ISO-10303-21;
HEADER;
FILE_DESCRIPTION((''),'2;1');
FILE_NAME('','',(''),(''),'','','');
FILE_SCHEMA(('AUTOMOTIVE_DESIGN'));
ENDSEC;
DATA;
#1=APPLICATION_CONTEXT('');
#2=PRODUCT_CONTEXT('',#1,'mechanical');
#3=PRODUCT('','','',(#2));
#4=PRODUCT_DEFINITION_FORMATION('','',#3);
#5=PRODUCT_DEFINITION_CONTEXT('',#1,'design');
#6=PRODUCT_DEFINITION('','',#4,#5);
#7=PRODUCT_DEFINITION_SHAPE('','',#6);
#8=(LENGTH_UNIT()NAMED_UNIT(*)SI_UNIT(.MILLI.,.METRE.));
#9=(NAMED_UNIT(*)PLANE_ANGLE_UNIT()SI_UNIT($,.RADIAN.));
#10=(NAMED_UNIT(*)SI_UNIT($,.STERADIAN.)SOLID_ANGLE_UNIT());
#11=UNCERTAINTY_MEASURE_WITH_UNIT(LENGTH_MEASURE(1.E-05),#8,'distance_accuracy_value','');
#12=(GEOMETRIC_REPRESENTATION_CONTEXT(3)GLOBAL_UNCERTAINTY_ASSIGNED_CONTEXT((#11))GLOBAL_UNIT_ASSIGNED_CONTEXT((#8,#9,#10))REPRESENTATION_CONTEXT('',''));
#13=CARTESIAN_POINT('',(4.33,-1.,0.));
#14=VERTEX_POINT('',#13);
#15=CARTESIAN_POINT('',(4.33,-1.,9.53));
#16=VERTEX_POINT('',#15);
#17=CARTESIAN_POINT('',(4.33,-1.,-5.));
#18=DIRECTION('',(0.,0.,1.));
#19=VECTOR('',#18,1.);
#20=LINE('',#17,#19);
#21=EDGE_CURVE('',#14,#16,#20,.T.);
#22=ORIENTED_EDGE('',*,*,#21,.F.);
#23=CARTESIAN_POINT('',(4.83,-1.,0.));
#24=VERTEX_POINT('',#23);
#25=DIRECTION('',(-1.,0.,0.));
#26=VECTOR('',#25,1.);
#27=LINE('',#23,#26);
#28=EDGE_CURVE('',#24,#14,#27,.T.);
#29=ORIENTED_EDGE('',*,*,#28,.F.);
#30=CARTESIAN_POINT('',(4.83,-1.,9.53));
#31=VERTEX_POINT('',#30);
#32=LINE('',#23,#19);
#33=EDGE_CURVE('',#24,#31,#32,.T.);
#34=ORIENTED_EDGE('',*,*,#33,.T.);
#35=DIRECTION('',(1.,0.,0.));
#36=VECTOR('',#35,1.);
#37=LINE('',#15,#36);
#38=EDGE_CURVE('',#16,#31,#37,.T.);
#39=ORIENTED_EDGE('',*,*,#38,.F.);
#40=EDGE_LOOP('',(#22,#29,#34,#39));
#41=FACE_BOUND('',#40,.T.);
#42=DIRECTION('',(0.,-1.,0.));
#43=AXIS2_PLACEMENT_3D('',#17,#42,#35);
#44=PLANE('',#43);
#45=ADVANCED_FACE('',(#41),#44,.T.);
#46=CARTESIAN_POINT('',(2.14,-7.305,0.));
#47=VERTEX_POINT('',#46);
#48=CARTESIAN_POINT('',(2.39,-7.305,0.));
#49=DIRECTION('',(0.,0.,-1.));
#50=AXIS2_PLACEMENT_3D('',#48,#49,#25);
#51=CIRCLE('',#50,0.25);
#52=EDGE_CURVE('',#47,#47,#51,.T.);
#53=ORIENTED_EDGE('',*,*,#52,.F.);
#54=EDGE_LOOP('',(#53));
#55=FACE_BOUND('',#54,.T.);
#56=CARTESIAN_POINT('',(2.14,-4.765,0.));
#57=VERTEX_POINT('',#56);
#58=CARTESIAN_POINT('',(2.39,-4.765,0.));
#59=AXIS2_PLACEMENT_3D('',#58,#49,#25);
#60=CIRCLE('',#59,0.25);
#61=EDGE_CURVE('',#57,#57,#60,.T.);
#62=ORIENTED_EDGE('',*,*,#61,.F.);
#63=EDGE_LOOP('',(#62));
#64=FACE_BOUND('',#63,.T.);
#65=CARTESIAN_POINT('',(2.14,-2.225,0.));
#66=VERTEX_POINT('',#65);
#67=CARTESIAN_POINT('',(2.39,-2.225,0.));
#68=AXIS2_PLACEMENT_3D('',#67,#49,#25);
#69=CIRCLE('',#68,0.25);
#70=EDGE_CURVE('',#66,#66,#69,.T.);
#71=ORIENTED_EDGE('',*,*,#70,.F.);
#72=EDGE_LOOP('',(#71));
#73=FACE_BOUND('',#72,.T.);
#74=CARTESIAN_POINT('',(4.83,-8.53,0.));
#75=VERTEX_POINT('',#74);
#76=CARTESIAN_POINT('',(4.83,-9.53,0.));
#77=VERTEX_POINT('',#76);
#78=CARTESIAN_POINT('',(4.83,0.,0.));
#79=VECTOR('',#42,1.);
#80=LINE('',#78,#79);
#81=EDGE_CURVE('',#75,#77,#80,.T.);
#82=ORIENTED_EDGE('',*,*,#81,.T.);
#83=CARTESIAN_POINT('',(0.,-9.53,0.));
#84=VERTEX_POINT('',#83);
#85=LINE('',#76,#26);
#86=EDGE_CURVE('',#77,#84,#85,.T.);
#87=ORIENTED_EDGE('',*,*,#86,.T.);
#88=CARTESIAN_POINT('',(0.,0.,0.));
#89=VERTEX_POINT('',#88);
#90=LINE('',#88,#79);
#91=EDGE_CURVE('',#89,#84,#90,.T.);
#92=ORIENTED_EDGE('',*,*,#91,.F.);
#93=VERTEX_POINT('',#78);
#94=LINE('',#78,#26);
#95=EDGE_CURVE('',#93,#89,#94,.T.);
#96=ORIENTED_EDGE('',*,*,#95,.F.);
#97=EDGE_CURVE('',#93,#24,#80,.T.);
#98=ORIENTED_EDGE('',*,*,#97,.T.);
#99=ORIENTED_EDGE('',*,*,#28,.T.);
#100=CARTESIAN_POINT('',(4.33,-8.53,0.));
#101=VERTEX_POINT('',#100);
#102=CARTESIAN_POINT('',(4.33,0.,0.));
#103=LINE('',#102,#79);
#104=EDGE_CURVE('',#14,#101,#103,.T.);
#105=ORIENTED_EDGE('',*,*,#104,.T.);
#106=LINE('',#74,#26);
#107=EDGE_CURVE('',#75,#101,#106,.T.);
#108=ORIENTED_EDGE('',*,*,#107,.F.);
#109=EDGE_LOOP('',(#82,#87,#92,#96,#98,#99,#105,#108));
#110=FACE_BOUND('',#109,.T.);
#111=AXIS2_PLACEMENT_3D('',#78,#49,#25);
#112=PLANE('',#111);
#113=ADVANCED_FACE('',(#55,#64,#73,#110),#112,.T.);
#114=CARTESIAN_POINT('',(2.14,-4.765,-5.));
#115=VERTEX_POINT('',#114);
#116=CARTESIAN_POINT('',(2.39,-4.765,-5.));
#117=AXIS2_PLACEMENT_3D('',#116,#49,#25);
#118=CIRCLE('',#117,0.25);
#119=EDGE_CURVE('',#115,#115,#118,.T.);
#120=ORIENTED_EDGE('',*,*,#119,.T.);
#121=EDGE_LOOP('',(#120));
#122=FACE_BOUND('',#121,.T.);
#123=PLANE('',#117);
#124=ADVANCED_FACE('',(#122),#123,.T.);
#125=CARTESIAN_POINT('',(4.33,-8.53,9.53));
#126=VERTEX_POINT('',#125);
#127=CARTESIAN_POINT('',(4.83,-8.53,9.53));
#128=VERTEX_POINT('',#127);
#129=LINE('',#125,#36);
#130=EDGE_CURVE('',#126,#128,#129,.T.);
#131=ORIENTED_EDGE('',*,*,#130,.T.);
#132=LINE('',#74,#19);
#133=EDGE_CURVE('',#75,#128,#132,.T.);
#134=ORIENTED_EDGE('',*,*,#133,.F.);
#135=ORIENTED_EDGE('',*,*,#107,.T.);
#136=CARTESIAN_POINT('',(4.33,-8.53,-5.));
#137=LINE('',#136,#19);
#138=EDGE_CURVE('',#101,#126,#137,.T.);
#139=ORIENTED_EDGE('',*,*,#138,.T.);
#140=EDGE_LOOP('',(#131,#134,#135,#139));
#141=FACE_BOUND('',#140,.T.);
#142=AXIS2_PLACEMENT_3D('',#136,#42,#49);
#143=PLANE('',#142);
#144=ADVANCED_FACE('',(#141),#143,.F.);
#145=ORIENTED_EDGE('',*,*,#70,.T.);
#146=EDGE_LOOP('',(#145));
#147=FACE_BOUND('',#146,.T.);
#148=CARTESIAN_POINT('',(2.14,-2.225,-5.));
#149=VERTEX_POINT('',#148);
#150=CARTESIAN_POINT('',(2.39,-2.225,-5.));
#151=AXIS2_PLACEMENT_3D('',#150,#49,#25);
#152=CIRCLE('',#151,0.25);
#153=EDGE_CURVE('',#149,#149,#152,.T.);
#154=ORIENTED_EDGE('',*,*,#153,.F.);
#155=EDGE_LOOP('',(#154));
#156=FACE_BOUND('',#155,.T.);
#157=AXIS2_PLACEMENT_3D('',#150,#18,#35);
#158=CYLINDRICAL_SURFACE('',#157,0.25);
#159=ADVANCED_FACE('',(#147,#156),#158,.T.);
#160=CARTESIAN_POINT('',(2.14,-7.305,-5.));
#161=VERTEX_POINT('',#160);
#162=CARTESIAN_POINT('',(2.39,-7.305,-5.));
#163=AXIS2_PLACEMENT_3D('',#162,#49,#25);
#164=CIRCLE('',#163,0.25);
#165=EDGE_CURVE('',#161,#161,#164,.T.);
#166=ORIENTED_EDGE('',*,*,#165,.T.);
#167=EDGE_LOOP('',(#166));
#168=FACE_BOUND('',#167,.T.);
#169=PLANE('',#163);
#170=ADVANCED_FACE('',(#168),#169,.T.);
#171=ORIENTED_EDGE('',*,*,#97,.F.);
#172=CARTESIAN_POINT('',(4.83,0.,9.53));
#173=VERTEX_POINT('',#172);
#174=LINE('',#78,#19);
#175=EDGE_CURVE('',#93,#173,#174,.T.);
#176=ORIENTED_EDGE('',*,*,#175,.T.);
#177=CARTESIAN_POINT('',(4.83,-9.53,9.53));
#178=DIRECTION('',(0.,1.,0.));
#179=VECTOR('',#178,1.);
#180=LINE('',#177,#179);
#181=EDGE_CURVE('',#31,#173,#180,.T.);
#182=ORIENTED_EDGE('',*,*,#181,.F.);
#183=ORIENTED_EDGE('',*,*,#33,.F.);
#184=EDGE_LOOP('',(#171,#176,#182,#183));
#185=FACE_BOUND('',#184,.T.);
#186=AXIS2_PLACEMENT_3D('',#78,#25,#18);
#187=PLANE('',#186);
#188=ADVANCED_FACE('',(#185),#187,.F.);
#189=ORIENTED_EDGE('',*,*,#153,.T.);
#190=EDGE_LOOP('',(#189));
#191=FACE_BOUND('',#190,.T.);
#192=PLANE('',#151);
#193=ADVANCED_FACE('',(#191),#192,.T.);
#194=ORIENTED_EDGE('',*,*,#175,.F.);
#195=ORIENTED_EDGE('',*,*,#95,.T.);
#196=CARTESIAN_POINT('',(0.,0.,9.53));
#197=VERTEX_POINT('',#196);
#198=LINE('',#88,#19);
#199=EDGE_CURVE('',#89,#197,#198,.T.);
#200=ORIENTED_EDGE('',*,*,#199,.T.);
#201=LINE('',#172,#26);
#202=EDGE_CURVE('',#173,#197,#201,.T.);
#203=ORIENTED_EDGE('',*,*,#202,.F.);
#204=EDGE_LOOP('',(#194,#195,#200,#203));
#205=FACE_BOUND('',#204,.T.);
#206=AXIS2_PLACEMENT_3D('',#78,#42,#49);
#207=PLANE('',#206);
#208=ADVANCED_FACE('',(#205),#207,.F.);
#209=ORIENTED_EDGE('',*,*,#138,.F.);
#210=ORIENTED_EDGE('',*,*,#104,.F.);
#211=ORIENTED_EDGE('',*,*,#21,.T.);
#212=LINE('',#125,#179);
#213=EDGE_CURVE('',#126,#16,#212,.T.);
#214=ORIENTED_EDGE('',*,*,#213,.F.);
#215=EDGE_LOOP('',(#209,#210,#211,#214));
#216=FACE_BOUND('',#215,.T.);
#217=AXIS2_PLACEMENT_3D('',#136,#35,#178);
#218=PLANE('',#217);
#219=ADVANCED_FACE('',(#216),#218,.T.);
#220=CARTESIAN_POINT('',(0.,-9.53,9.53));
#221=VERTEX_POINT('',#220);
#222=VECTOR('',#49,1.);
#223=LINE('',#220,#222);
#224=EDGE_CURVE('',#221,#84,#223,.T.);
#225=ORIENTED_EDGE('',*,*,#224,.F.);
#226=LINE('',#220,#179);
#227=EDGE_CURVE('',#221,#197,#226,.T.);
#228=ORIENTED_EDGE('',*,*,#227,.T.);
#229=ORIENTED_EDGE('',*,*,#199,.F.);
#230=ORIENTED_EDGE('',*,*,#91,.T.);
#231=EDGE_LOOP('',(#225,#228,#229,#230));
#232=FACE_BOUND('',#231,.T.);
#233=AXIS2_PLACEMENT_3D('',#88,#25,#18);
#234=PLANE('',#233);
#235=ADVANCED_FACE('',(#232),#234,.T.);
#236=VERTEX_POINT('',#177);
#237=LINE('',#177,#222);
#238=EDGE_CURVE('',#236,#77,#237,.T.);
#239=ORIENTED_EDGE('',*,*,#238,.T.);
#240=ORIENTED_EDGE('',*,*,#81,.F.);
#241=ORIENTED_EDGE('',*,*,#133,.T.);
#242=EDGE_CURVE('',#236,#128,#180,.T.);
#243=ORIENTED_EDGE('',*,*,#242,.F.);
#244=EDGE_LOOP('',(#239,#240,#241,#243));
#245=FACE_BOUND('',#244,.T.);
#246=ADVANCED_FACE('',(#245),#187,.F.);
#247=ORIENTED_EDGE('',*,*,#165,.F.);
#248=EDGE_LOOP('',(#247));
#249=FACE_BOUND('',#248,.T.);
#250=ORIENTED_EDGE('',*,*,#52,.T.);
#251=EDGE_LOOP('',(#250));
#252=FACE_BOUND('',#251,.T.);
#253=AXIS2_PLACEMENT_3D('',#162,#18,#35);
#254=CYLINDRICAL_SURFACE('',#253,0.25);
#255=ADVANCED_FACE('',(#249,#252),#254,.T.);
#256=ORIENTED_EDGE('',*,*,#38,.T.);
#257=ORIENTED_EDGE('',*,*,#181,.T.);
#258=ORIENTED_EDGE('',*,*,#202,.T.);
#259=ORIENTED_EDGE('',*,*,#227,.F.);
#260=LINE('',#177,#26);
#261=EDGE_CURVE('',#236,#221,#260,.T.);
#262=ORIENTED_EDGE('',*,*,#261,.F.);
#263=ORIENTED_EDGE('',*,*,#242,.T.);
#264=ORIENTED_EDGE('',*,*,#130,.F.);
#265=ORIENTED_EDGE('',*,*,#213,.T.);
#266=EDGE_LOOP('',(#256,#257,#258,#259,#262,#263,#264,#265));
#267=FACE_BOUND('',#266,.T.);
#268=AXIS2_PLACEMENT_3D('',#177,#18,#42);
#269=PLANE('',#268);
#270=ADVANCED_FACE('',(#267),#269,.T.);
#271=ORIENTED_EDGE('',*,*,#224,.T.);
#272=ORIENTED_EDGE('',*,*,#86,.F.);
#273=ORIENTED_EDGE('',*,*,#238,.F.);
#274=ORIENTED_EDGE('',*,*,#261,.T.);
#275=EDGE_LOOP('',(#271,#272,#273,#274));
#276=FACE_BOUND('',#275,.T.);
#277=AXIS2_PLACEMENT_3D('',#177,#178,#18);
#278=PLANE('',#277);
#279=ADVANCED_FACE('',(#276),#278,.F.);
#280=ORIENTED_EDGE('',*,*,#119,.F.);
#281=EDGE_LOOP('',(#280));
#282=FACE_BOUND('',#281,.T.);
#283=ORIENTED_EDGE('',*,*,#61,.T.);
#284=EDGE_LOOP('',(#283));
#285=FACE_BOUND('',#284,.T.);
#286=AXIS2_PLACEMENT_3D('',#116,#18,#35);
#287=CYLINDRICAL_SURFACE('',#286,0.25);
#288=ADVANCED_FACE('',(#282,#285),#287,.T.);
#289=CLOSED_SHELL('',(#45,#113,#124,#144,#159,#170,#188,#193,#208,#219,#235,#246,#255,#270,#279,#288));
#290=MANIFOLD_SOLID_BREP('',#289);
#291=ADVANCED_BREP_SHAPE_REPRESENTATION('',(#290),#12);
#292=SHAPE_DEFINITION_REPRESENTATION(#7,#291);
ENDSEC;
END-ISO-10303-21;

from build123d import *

# Parameters (mm, degrees)
SKETCH1_W         = 9.53
SKETCH1_H         = 9.53
BASIC_SHAPE_DEPTH = 4.83
SKETCH5_R         = 0.25
PINS_DEPTH        = 5
SKETCH6_W         = 0.5
SKETCH6_H         = 7.53
REAR_RELIEF_DEPTH = 19.035262682


with BuildPart() as part:
    # Sketch1 → Basic Shape (new body)
    with BuildSketch(Plane(origin=(0, 0, 0), x_dir=(0, 0, 1), z_dir=(1, 0, 0))):
        with Locations((4.765, 4.765)):
            Rectangle(SKETCH1_W, SKETCH1_H)
    extrude(amount=BASIC_SHAPE_DEPTH)

    # Sketch5 → Pins (add)
    with BuildSketch(Plane(origin=(0, -19.06, 0), x_dir=(0, -1, 0), z_dir=(0, 0, -1))):
        with Locations(Location((-16.835, -2.39, 0), (0, 0, 90))):
            Circle(SKETCH5_R)
        with Locations(Location((-14.295, -2.39, 0), (0, 0, 90))):
            Circle(SKETCH5_R)
        with Locations(Location((-11.755, -2.39, 0), (0, 0, 90))):
            Circle(SKETCH5_R)
    extrude(amount=PINS_DEPTH)

    # Sketch6 → Rear Relief (cut, through all)
    with BuildSketch(Plane.XY.offset(9.53)):
        with Locations((4.58, -4.765)):
            Rectangle(SKETCH6_W, SKETCH6_H)
    extrude(amount=-REAR_RELIEF_DEPTH, mode=Mode.SUBTRACT)


solid = part.part
